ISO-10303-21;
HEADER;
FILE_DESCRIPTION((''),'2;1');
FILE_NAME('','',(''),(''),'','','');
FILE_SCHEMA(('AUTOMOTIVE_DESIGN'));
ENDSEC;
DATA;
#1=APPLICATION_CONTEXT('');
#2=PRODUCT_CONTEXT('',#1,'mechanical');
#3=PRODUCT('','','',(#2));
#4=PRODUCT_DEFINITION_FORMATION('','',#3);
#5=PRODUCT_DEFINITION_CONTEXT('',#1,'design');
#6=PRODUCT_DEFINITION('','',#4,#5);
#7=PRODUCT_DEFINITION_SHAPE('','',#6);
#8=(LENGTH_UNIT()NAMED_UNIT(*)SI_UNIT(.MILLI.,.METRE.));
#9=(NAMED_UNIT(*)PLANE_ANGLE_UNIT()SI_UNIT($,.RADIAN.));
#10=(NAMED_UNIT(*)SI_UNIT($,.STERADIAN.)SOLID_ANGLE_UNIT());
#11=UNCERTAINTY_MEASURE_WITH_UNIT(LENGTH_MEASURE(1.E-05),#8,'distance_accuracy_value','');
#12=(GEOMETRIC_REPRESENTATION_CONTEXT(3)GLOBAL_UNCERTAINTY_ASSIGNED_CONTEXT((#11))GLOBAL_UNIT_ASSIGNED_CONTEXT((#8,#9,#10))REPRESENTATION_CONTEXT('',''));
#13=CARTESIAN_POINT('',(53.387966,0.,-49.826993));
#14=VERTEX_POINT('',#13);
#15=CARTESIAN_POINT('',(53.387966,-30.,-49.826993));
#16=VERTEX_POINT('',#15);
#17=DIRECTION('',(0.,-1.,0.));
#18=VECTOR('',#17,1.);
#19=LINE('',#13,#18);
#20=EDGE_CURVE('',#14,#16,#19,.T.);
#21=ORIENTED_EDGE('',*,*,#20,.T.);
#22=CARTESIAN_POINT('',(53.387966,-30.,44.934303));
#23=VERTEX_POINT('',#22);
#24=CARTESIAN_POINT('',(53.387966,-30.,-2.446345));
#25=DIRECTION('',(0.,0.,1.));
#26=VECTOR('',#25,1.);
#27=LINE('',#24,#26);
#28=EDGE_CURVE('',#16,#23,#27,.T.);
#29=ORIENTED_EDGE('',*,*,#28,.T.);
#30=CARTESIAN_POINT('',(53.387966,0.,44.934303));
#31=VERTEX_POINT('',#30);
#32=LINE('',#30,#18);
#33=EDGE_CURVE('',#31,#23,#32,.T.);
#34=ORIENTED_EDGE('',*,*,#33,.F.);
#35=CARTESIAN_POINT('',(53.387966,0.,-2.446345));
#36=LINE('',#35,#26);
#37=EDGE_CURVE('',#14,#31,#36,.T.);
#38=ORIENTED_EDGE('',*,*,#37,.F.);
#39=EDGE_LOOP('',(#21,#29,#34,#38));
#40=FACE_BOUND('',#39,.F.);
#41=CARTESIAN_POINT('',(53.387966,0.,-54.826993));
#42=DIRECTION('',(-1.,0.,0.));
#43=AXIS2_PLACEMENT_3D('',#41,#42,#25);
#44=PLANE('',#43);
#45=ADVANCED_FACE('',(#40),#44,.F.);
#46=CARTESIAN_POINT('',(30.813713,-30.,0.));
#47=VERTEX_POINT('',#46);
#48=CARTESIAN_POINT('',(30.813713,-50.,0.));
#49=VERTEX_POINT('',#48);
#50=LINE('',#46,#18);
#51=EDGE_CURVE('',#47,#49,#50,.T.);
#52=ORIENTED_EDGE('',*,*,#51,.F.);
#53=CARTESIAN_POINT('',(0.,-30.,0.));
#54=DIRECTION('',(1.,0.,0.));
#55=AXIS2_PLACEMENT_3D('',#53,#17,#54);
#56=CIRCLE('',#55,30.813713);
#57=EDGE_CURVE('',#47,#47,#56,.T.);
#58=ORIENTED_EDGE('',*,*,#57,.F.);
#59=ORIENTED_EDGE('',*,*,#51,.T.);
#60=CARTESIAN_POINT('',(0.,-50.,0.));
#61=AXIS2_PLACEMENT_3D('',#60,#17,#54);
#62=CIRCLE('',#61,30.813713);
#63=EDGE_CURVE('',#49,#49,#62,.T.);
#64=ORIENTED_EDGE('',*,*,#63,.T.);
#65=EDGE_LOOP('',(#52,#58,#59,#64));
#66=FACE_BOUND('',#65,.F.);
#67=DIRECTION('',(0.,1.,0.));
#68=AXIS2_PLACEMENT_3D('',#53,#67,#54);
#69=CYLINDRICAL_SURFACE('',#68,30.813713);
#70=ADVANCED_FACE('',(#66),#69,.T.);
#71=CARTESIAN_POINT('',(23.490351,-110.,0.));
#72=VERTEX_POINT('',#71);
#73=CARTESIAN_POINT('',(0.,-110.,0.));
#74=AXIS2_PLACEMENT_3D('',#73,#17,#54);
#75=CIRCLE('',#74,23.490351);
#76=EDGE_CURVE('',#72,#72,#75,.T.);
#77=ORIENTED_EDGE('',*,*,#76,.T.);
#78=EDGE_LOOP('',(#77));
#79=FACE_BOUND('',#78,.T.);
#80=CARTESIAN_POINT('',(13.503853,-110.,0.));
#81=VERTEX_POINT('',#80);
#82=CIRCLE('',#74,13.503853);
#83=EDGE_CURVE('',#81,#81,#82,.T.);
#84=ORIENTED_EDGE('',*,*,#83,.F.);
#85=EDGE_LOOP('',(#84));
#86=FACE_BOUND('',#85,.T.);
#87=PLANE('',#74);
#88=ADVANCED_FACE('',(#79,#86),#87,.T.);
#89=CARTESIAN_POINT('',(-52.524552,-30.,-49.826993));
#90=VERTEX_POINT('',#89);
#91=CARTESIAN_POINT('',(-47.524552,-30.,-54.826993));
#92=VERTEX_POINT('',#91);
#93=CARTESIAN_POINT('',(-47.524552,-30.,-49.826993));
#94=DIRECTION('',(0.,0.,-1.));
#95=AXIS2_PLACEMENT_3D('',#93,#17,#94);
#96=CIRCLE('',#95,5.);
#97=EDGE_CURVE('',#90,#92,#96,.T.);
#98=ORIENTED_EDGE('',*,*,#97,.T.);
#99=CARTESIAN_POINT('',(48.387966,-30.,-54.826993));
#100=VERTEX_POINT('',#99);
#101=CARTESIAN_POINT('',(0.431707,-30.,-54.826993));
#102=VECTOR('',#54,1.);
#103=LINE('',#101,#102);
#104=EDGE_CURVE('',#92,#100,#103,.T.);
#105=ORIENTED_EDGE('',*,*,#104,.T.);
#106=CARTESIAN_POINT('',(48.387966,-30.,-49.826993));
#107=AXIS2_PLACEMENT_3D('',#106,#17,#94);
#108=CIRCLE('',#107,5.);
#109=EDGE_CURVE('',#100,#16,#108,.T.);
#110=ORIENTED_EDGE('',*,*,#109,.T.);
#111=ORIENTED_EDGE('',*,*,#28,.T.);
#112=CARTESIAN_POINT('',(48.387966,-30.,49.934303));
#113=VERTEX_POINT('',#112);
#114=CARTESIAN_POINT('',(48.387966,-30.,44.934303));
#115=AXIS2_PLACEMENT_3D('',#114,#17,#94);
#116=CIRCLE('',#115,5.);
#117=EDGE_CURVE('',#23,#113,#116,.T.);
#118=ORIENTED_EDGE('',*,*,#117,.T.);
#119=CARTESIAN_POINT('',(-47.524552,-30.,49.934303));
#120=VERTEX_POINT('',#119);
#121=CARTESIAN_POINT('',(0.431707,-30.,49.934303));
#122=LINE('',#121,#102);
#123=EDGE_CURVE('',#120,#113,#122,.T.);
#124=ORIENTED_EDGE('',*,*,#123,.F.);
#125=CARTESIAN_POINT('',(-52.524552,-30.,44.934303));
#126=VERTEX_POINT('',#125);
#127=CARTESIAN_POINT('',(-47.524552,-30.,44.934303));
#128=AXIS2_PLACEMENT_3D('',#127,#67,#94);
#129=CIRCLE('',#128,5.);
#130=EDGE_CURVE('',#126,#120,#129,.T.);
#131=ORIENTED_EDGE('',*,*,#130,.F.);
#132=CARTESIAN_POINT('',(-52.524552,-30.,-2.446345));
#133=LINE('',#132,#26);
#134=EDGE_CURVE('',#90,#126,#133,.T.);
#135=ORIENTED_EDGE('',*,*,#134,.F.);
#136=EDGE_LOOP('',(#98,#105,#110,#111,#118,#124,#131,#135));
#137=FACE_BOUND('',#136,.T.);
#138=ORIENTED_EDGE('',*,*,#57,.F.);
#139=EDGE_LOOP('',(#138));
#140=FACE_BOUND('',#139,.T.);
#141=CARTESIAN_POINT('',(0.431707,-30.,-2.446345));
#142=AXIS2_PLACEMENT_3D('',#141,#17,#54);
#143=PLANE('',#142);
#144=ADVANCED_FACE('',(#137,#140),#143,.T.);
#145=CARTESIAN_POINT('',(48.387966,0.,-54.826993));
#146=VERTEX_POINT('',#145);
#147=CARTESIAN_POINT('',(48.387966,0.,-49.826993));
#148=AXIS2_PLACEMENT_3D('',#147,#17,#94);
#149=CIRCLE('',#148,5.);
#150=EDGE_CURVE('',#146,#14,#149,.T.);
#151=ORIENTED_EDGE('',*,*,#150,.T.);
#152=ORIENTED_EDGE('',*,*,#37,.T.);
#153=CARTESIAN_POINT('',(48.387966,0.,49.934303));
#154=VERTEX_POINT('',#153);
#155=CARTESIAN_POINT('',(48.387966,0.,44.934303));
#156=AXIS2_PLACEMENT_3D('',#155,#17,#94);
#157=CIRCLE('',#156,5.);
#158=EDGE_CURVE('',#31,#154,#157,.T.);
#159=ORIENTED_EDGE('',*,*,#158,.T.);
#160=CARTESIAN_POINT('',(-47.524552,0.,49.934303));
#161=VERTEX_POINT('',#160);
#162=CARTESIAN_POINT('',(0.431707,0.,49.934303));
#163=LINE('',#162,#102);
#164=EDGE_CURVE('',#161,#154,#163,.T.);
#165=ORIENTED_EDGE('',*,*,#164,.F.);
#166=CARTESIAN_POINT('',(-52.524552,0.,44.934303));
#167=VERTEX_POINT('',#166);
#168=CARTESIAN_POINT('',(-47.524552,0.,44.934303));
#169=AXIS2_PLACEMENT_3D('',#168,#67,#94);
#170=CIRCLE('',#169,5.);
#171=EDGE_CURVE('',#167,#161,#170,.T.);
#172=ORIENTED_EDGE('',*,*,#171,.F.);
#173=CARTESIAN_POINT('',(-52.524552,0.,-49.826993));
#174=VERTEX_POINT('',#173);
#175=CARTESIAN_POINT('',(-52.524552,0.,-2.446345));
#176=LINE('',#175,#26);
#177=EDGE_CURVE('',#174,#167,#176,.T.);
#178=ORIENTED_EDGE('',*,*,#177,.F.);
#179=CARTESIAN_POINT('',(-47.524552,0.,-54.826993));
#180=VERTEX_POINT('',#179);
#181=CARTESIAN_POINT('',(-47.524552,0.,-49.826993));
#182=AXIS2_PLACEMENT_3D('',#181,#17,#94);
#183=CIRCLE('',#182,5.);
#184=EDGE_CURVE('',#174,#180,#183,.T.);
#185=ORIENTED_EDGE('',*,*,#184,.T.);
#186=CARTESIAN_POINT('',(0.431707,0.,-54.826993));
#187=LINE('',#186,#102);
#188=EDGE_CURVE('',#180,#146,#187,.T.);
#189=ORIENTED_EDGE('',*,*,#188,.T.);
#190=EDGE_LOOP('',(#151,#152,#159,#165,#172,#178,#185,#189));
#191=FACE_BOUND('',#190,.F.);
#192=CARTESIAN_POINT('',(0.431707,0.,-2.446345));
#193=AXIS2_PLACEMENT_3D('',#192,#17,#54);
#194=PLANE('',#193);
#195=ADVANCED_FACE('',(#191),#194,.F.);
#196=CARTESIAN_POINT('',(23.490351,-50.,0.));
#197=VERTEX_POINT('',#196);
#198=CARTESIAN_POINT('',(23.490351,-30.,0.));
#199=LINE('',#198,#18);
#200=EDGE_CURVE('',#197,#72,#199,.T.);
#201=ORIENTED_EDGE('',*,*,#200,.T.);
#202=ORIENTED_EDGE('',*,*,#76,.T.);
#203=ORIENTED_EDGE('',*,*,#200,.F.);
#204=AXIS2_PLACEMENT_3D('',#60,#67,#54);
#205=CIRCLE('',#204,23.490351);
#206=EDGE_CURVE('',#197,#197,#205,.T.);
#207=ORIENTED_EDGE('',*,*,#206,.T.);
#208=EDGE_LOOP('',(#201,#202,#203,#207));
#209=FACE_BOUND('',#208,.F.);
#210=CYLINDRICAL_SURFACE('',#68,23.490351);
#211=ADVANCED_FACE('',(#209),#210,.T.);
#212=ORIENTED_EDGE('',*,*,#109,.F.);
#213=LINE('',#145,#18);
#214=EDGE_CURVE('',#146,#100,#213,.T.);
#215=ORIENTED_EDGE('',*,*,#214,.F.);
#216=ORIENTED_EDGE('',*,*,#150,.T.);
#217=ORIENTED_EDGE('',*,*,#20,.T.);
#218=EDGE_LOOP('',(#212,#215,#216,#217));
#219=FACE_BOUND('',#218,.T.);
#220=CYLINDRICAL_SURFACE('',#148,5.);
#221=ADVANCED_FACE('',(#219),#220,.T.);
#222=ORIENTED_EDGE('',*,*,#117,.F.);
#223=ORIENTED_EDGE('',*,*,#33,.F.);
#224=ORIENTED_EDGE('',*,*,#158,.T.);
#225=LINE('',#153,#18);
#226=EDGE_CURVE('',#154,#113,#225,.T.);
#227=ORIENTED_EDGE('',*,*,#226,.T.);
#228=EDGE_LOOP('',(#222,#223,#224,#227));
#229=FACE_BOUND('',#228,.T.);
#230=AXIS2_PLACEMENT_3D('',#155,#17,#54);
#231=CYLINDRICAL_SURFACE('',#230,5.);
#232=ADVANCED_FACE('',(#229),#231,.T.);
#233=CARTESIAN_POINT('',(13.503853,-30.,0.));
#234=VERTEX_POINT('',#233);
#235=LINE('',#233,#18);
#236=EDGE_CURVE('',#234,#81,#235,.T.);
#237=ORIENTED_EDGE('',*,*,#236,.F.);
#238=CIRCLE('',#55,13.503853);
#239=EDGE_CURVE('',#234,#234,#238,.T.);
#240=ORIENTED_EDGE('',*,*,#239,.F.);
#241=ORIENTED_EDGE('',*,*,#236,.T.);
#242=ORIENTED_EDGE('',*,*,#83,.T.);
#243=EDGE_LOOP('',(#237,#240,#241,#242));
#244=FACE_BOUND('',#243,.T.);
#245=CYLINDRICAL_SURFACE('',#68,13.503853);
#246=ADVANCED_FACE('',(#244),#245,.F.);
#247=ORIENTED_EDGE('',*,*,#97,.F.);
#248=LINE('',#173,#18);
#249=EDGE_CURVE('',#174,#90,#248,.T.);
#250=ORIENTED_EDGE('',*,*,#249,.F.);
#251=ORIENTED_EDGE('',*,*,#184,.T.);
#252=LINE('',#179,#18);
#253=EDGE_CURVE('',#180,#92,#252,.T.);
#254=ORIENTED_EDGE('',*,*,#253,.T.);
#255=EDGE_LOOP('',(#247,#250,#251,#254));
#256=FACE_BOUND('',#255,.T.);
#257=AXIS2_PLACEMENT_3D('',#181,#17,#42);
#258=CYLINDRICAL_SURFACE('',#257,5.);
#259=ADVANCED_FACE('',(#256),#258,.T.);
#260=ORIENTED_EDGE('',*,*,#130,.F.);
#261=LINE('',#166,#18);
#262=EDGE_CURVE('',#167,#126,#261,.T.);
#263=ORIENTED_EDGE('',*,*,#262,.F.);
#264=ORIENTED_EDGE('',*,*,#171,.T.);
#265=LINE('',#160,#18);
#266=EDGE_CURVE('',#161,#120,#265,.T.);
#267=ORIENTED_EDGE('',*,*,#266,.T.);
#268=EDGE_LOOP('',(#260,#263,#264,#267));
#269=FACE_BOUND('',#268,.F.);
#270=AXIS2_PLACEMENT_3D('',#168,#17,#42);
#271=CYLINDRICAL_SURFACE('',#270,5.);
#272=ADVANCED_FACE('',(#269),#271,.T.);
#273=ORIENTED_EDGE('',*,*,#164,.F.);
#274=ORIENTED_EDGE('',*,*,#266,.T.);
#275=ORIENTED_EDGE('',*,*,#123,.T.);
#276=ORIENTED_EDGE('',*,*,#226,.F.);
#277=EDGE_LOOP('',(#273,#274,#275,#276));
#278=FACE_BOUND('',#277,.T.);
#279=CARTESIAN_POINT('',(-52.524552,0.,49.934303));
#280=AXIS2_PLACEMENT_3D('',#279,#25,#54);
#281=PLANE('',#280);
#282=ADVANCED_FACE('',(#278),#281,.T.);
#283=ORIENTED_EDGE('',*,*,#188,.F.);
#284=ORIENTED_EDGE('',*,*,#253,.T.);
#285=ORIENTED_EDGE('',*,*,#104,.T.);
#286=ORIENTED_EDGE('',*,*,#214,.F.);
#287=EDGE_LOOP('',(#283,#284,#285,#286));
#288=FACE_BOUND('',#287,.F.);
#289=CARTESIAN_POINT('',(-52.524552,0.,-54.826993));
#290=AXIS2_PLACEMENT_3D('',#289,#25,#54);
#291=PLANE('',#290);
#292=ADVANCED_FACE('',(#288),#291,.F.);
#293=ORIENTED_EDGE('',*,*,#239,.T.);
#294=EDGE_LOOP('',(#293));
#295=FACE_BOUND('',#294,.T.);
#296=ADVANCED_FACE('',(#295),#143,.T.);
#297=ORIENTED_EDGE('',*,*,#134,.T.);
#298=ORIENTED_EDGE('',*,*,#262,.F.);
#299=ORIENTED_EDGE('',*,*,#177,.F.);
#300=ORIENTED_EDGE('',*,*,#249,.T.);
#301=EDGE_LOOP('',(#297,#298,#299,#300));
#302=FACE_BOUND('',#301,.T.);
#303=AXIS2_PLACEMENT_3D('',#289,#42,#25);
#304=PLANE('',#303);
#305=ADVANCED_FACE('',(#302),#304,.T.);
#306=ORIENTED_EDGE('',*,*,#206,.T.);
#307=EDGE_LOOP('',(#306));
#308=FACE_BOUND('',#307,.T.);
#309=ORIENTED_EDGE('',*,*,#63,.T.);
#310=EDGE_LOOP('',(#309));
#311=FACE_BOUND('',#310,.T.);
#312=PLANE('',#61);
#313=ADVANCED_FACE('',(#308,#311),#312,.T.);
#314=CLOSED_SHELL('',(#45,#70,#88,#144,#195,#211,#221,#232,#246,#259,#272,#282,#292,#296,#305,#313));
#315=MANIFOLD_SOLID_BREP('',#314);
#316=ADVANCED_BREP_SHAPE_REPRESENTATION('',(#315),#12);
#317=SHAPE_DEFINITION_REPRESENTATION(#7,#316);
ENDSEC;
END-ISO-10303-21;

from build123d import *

# Parameters (mm, degrees)
F0_W     = 105.912518
F0_H     = 104.761295
F1_DEPTH = 30
F2_R     = 5
F3_R     = 30.813713
F3_R_2   = 23.380782
F4_DEPTH = 20
F5_R     = 23.490351
F5_R_2   = 13.503853
F6_DEPTH = 80


with BuildPart() as f1:
    # F0 (on Front) → F1 (new body)
    with BuildSketch(Plane.XZ):
        with Locations((0.431707, -2.446345)):
            Rectangle(F0_W, F0_H)
    extrude(amount=F1_DEPTH)

    # F2
    f2_edges = [f1.edges().sort_by_distance(p)[0] for p in [
        (53.387966, -15, 49.934302),
        (53.387966, -15, -54.826993),
        (-52.524552, -15, 49.934302),
        (-52.524552, -15, -54.826993),
    ]]
    fillet(f2_edges, radius=F2_R)

    # F3 (on face) → F4 (join)
    with BuildSketch(Plane.XZ.offset(30)):
        Circle(F3_R)
        Circle(F3_R_2, mode=Mode.SUBTRACT)
    extrude(amount=F4_DEPTH)

    # F5 (on face) → F6 (join)
    with BuildSketch(Plane.XZ.offset(30)):
        Circle(F5_R)
        Circle(F5_R_2, mode=Mode.SUBTRACT)
    extrude(amount=F6_DEPTH)


solid = f1.part
